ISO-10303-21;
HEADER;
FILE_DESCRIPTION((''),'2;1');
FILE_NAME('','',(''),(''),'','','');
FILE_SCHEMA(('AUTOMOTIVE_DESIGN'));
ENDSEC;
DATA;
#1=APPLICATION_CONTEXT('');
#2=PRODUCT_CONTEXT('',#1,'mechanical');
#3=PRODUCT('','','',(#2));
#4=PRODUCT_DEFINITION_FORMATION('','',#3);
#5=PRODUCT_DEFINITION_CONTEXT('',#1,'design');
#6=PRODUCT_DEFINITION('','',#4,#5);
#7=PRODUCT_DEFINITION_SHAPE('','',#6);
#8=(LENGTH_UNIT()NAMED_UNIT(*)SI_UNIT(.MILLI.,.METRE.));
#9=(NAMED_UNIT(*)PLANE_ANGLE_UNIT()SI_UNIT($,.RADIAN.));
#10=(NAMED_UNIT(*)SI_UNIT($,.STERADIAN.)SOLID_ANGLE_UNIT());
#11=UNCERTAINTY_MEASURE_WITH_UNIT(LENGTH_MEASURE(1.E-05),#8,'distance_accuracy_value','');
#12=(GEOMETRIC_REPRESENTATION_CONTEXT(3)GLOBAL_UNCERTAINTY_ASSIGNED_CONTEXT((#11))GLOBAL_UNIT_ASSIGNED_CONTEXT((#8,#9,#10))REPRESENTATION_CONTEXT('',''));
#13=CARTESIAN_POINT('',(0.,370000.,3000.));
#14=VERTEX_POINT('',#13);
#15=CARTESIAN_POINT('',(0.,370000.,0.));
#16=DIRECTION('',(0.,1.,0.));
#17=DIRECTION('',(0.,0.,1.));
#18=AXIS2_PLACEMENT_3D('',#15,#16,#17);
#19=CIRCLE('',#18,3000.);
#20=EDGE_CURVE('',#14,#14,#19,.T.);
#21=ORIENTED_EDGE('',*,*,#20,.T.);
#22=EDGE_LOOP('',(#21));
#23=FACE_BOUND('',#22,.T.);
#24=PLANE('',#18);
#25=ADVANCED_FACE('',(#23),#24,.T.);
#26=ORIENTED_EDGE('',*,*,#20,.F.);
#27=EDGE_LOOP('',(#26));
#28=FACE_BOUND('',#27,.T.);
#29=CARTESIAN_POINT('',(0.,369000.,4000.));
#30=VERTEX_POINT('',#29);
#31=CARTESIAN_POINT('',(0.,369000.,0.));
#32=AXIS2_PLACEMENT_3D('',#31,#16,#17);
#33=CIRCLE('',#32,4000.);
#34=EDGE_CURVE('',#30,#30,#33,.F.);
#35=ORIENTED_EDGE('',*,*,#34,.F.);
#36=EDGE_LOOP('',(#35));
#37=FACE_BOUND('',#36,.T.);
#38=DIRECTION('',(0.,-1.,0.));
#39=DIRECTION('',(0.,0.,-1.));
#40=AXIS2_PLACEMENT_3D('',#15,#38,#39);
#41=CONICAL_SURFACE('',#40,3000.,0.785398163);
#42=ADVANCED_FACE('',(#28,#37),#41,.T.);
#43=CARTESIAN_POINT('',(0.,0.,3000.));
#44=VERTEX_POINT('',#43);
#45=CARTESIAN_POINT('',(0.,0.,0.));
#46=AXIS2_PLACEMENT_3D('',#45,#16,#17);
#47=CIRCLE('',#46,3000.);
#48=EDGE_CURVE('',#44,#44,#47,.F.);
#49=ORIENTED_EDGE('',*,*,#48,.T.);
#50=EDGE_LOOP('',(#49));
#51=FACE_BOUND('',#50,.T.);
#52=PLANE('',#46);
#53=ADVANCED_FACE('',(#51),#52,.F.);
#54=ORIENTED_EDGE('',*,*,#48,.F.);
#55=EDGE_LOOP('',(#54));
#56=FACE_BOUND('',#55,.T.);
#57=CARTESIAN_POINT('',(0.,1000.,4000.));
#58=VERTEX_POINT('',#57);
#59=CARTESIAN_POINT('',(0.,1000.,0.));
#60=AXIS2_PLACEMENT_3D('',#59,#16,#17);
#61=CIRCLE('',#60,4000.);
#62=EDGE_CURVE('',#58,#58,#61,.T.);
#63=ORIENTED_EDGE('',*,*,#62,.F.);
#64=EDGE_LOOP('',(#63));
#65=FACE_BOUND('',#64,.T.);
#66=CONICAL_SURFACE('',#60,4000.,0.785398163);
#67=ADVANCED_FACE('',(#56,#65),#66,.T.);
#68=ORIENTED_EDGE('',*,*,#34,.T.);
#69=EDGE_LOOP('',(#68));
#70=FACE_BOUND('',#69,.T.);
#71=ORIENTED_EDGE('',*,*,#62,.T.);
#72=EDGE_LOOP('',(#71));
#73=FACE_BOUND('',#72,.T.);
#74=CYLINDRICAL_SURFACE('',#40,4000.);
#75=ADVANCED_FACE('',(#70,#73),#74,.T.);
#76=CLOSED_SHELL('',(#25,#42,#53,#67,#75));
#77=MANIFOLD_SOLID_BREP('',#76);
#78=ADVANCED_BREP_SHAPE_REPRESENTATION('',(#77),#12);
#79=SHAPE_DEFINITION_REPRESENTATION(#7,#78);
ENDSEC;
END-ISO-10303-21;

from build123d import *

# Parameters (mm, degrees)
SKETCH_1_R      = 4000
EXTRUDE_1_DEPTH = 370000
CHAMFER_1_SIZE  = 1000


with BuildPart() as part:
    # 草圖1 → 填料-伸長1 (new body)
    with BuildSketch(Plane(origin=(0, 0, 0), x_dir=(1, 0, 0), z_dir=(0, 1, 0))):
        with Locations(Location((0, 0, 0), (0, 0, 270))):
            Circle(SKETCH_1_R)
    extrude(amount=EXTRUDE_1_DEPTH)

    # 導角1
    chamfer_1_edges = [part.edges().sort_by_distance(p)[0] for p in [
        (0, 0, -4000),
        (0, 370000, -4000),
    ]]
    chamfer(chamfer_1_edges, length=CHAMFER_1_SIZE)


solid = part.part
